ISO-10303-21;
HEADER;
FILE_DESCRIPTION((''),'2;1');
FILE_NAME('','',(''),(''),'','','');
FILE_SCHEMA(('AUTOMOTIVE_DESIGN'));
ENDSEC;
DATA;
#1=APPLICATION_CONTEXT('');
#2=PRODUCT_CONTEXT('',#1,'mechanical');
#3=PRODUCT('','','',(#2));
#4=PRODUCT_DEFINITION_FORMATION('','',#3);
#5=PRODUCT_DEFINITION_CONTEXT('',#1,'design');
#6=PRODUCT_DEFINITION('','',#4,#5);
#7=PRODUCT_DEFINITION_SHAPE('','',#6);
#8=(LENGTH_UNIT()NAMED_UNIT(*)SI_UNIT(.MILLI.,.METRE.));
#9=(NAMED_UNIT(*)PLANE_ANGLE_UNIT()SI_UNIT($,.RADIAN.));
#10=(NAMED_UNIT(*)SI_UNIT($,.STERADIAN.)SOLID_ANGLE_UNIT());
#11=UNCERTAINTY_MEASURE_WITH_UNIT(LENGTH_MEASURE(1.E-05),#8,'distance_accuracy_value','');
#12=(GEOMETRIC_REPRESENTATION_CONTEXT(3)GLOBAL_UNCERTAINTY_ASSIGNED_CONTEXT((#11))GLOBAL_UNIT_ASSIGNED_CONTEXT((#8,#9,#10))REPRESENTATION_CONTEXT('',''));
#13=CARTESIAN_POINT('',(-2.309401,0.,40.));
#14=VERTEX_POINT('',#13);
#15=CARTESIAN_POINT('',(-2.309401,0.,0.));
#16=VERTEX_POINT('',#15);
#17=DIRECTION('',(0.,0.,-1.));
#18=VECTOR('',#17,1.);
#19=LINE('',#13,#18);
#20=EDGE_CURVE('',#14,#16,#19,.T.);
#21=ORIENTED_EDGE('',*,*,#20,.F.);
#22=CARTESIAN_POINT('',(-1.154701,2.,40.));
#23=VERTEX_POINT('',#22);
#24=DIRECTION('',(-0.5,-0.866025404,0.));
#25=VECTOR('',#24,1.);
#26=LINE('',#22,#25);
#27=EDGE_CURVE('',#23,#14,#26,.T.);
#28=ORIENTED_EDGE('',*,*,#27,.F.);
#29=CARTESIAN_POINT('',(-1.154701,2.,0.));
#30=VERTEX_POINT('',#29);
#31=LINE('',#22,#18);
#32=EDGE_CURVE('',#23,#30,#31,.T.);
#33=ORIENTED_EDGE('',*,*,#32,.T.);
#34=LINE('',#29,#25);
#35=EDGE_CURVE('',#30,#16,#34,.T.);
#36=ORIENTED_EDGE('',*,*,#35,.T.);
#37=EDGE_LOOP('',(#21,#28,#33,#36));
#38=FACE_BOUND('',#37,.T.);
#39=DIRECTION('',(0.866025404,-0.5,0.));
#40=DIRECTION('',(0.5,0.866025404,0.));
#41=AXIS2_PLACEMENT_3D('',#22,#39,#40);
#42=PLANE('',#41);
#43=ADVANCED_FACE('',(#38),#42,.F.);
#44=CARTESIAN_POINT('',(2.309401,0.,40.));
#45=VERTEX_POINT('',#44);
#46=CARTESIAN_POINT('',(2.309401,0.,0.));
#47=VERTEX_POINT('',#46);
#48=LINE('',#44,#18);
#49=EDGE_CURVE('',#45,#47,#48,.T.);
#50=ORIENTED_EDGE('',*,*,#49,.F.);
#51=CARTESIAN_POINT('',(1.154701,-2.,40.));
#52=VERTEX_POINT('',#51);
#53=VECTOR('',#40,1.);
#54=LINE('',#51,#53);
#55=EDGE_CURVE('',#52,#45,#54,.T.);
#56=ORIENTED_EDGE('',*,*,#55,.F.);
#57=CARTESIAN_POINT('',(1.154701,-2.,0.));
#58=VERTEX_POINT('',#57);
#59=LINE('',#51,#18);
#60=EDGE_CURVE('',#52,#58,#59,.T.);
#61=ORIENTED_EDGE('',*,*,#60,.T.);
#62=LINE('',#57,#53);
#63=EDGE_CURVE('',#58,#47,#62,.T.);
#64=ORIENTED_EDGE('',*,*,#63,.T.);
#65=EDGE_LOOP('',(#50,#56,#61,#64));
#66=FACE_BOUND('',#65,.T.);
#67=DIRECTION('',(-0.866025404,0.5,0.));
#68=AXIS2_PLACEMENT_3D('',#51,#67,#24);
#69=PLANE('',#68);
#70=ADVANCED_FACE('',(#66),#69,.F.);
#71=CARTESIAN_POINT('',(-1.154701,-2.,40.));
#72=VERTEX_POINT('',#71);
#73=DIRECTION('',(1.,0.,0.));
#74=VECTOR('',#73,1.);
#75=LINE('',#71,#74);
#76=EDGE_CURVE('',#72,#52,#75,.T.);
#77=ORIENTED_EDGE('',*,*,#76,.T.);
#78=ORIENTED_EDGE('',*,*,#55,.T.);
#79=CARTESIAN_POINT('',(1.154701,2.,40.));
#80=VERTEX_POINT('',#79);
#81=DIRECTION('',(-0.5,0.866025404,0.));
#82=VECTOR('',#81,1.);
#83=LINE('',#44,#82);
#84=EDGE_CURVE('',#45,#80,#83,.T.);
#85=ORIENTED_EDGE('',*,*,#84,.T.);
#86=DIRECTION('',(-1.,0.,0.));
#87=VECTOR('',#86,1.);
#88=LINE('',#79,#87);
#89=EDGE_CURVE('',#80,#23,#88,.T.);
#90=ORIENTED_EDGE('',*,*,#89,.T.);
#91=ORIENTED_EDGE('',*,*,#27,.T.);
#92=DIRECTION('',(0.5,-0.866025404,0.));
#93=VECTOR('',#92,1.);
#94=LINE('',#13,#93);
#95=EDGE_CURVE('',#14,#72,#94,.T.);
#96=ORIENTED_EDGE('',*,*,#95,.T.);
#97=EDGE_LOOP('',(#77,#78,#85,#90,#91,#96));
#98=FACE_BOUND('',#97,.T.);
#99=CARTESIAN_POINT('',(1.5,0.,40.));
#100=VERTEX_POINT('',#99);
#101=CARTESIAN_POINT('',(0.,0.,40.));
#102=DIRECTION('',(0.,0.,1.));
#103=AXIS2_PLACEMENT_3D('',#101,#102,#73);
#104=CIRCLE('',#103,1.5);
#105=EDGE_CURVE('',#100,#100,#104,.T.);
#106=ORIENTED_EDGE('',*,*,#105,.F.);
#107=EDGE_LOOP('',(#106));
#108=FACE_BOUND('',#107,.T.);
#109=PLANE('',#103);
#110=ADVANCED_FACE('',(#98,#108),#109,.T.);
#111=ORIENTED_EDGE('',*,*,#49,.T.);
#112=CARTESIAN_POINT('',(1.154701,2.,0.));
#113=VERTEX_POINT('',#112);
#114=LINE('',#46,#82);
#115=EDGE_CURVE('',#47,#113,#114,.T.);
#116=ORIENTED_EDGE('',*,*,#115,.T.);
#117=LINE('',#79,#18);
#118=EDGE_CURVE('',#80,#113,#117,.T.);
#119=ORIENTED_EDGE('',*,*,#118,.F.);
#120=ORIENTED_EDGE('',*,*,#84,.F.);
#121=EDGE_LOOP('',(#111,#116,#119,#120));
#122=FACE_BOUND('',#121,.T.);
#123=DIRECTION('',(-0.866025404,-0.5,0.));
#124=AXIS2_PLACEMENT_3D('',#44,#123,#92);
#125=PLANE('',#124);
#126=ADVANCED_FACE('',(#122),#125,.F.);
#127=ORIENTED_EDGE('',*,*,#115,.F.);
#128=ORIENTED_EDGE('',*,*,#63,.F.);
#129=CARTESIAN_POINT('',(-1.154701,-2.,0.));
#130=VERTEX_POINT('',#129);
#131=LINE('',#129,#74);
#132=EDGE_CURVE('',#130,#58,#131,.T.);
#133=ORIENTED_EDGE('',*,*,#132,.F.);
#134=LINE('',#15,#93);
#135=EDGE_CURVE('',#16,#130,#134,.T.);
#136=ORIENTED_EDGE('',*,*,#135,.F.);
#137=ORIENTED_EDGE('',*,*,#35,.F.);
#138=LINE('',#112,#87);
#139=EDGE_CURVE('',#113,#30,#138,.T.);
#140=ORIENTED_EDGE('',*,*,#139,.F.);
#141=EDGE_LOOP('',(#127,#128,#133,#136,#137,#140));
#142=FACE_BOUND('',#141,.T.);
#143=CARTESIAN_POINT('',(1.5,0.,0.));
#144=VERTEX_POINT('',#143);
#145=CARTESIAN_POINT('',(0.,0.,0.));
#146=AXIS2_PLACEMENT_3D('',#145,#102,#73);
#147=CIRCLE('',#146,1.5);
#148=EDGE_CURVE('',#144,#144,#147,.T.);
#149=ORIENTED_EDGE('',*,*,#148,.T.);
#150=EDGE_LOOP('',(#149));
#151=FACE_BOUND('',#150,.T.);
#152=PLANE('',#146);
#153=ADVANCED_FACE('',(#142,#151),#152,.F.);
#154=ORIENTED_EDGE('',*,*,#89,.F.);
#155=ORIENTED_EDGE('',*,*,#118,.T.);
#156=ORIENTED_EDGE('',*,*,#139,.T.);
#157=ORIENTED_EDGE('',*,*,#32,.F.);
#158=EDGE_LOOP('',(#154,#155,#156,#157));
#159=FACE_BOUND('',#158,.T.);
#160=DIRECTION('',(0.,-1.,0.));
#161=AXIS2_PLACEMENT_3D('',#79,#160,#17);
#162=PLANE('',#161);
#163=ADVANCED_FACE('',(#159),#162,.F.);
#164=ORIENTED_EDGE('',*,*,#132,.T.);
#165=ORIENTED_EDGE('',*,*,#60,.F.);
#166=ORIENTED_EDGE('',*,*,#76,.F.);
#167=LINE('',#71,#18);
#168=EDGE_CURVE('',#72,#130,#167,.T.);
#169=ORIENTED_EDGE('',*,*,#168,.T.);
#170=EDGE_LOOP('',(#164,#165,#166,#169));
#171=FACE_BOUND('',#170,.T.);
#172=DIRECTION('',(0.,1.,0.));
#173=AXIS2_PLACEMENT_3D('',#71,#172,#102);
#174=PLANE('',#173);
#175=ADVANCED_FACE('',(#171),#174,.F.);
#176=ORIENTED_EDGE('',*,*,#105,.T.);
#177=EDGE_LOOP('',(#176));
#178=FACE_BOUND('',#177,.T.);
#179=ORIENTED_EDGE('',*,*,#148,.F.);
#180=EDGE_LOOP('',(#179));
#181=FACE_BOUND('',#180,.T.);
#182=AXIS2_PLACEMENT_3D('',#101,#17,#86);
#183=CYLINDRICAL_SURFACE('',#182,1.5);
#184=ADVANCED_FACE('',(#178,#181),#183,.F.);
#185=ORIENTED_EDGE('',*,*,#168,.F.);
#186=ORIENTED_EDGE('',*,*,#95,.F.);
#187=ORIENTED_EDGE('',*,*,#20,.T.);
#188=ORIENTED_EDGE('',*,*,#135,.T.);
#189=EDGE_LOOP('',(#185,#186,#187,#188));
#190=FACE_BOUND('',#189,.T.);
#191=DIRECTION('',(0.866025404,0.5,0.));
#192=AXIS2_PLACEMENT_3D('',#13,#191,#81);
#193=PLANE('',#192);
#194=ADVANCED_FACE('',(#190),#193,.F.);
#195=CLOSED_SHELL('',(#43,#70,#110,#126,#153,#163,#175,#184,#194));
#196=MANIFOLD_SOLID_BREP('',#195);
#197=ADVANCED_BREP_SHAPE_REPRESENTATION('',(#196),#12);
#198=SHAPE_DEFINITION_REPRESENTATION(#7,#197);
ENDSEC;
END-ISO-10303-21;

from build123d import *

# Parameters (mm, degrees)
SKETCH_1_R      = 1.5
EXTRUDE_1_DEPTH = 40


with BuildPart() as part:
    # 草图1 → 凸台-拉伸1 (new body)
    with BuildSketch(Plane.XY):
        Polygon((2.309401077, 0), (1.154700538, 2), (-1.154700538, 2), (-2.309401077, 0), (-1.154700538, -2), (1.154700538, -2), align=None)
        Circle(SKETCH_1_R, mode=Mode.SUBTRACT)
    extrude(amount=EXTRUDE_1_DEPTH)


solid = part.part
